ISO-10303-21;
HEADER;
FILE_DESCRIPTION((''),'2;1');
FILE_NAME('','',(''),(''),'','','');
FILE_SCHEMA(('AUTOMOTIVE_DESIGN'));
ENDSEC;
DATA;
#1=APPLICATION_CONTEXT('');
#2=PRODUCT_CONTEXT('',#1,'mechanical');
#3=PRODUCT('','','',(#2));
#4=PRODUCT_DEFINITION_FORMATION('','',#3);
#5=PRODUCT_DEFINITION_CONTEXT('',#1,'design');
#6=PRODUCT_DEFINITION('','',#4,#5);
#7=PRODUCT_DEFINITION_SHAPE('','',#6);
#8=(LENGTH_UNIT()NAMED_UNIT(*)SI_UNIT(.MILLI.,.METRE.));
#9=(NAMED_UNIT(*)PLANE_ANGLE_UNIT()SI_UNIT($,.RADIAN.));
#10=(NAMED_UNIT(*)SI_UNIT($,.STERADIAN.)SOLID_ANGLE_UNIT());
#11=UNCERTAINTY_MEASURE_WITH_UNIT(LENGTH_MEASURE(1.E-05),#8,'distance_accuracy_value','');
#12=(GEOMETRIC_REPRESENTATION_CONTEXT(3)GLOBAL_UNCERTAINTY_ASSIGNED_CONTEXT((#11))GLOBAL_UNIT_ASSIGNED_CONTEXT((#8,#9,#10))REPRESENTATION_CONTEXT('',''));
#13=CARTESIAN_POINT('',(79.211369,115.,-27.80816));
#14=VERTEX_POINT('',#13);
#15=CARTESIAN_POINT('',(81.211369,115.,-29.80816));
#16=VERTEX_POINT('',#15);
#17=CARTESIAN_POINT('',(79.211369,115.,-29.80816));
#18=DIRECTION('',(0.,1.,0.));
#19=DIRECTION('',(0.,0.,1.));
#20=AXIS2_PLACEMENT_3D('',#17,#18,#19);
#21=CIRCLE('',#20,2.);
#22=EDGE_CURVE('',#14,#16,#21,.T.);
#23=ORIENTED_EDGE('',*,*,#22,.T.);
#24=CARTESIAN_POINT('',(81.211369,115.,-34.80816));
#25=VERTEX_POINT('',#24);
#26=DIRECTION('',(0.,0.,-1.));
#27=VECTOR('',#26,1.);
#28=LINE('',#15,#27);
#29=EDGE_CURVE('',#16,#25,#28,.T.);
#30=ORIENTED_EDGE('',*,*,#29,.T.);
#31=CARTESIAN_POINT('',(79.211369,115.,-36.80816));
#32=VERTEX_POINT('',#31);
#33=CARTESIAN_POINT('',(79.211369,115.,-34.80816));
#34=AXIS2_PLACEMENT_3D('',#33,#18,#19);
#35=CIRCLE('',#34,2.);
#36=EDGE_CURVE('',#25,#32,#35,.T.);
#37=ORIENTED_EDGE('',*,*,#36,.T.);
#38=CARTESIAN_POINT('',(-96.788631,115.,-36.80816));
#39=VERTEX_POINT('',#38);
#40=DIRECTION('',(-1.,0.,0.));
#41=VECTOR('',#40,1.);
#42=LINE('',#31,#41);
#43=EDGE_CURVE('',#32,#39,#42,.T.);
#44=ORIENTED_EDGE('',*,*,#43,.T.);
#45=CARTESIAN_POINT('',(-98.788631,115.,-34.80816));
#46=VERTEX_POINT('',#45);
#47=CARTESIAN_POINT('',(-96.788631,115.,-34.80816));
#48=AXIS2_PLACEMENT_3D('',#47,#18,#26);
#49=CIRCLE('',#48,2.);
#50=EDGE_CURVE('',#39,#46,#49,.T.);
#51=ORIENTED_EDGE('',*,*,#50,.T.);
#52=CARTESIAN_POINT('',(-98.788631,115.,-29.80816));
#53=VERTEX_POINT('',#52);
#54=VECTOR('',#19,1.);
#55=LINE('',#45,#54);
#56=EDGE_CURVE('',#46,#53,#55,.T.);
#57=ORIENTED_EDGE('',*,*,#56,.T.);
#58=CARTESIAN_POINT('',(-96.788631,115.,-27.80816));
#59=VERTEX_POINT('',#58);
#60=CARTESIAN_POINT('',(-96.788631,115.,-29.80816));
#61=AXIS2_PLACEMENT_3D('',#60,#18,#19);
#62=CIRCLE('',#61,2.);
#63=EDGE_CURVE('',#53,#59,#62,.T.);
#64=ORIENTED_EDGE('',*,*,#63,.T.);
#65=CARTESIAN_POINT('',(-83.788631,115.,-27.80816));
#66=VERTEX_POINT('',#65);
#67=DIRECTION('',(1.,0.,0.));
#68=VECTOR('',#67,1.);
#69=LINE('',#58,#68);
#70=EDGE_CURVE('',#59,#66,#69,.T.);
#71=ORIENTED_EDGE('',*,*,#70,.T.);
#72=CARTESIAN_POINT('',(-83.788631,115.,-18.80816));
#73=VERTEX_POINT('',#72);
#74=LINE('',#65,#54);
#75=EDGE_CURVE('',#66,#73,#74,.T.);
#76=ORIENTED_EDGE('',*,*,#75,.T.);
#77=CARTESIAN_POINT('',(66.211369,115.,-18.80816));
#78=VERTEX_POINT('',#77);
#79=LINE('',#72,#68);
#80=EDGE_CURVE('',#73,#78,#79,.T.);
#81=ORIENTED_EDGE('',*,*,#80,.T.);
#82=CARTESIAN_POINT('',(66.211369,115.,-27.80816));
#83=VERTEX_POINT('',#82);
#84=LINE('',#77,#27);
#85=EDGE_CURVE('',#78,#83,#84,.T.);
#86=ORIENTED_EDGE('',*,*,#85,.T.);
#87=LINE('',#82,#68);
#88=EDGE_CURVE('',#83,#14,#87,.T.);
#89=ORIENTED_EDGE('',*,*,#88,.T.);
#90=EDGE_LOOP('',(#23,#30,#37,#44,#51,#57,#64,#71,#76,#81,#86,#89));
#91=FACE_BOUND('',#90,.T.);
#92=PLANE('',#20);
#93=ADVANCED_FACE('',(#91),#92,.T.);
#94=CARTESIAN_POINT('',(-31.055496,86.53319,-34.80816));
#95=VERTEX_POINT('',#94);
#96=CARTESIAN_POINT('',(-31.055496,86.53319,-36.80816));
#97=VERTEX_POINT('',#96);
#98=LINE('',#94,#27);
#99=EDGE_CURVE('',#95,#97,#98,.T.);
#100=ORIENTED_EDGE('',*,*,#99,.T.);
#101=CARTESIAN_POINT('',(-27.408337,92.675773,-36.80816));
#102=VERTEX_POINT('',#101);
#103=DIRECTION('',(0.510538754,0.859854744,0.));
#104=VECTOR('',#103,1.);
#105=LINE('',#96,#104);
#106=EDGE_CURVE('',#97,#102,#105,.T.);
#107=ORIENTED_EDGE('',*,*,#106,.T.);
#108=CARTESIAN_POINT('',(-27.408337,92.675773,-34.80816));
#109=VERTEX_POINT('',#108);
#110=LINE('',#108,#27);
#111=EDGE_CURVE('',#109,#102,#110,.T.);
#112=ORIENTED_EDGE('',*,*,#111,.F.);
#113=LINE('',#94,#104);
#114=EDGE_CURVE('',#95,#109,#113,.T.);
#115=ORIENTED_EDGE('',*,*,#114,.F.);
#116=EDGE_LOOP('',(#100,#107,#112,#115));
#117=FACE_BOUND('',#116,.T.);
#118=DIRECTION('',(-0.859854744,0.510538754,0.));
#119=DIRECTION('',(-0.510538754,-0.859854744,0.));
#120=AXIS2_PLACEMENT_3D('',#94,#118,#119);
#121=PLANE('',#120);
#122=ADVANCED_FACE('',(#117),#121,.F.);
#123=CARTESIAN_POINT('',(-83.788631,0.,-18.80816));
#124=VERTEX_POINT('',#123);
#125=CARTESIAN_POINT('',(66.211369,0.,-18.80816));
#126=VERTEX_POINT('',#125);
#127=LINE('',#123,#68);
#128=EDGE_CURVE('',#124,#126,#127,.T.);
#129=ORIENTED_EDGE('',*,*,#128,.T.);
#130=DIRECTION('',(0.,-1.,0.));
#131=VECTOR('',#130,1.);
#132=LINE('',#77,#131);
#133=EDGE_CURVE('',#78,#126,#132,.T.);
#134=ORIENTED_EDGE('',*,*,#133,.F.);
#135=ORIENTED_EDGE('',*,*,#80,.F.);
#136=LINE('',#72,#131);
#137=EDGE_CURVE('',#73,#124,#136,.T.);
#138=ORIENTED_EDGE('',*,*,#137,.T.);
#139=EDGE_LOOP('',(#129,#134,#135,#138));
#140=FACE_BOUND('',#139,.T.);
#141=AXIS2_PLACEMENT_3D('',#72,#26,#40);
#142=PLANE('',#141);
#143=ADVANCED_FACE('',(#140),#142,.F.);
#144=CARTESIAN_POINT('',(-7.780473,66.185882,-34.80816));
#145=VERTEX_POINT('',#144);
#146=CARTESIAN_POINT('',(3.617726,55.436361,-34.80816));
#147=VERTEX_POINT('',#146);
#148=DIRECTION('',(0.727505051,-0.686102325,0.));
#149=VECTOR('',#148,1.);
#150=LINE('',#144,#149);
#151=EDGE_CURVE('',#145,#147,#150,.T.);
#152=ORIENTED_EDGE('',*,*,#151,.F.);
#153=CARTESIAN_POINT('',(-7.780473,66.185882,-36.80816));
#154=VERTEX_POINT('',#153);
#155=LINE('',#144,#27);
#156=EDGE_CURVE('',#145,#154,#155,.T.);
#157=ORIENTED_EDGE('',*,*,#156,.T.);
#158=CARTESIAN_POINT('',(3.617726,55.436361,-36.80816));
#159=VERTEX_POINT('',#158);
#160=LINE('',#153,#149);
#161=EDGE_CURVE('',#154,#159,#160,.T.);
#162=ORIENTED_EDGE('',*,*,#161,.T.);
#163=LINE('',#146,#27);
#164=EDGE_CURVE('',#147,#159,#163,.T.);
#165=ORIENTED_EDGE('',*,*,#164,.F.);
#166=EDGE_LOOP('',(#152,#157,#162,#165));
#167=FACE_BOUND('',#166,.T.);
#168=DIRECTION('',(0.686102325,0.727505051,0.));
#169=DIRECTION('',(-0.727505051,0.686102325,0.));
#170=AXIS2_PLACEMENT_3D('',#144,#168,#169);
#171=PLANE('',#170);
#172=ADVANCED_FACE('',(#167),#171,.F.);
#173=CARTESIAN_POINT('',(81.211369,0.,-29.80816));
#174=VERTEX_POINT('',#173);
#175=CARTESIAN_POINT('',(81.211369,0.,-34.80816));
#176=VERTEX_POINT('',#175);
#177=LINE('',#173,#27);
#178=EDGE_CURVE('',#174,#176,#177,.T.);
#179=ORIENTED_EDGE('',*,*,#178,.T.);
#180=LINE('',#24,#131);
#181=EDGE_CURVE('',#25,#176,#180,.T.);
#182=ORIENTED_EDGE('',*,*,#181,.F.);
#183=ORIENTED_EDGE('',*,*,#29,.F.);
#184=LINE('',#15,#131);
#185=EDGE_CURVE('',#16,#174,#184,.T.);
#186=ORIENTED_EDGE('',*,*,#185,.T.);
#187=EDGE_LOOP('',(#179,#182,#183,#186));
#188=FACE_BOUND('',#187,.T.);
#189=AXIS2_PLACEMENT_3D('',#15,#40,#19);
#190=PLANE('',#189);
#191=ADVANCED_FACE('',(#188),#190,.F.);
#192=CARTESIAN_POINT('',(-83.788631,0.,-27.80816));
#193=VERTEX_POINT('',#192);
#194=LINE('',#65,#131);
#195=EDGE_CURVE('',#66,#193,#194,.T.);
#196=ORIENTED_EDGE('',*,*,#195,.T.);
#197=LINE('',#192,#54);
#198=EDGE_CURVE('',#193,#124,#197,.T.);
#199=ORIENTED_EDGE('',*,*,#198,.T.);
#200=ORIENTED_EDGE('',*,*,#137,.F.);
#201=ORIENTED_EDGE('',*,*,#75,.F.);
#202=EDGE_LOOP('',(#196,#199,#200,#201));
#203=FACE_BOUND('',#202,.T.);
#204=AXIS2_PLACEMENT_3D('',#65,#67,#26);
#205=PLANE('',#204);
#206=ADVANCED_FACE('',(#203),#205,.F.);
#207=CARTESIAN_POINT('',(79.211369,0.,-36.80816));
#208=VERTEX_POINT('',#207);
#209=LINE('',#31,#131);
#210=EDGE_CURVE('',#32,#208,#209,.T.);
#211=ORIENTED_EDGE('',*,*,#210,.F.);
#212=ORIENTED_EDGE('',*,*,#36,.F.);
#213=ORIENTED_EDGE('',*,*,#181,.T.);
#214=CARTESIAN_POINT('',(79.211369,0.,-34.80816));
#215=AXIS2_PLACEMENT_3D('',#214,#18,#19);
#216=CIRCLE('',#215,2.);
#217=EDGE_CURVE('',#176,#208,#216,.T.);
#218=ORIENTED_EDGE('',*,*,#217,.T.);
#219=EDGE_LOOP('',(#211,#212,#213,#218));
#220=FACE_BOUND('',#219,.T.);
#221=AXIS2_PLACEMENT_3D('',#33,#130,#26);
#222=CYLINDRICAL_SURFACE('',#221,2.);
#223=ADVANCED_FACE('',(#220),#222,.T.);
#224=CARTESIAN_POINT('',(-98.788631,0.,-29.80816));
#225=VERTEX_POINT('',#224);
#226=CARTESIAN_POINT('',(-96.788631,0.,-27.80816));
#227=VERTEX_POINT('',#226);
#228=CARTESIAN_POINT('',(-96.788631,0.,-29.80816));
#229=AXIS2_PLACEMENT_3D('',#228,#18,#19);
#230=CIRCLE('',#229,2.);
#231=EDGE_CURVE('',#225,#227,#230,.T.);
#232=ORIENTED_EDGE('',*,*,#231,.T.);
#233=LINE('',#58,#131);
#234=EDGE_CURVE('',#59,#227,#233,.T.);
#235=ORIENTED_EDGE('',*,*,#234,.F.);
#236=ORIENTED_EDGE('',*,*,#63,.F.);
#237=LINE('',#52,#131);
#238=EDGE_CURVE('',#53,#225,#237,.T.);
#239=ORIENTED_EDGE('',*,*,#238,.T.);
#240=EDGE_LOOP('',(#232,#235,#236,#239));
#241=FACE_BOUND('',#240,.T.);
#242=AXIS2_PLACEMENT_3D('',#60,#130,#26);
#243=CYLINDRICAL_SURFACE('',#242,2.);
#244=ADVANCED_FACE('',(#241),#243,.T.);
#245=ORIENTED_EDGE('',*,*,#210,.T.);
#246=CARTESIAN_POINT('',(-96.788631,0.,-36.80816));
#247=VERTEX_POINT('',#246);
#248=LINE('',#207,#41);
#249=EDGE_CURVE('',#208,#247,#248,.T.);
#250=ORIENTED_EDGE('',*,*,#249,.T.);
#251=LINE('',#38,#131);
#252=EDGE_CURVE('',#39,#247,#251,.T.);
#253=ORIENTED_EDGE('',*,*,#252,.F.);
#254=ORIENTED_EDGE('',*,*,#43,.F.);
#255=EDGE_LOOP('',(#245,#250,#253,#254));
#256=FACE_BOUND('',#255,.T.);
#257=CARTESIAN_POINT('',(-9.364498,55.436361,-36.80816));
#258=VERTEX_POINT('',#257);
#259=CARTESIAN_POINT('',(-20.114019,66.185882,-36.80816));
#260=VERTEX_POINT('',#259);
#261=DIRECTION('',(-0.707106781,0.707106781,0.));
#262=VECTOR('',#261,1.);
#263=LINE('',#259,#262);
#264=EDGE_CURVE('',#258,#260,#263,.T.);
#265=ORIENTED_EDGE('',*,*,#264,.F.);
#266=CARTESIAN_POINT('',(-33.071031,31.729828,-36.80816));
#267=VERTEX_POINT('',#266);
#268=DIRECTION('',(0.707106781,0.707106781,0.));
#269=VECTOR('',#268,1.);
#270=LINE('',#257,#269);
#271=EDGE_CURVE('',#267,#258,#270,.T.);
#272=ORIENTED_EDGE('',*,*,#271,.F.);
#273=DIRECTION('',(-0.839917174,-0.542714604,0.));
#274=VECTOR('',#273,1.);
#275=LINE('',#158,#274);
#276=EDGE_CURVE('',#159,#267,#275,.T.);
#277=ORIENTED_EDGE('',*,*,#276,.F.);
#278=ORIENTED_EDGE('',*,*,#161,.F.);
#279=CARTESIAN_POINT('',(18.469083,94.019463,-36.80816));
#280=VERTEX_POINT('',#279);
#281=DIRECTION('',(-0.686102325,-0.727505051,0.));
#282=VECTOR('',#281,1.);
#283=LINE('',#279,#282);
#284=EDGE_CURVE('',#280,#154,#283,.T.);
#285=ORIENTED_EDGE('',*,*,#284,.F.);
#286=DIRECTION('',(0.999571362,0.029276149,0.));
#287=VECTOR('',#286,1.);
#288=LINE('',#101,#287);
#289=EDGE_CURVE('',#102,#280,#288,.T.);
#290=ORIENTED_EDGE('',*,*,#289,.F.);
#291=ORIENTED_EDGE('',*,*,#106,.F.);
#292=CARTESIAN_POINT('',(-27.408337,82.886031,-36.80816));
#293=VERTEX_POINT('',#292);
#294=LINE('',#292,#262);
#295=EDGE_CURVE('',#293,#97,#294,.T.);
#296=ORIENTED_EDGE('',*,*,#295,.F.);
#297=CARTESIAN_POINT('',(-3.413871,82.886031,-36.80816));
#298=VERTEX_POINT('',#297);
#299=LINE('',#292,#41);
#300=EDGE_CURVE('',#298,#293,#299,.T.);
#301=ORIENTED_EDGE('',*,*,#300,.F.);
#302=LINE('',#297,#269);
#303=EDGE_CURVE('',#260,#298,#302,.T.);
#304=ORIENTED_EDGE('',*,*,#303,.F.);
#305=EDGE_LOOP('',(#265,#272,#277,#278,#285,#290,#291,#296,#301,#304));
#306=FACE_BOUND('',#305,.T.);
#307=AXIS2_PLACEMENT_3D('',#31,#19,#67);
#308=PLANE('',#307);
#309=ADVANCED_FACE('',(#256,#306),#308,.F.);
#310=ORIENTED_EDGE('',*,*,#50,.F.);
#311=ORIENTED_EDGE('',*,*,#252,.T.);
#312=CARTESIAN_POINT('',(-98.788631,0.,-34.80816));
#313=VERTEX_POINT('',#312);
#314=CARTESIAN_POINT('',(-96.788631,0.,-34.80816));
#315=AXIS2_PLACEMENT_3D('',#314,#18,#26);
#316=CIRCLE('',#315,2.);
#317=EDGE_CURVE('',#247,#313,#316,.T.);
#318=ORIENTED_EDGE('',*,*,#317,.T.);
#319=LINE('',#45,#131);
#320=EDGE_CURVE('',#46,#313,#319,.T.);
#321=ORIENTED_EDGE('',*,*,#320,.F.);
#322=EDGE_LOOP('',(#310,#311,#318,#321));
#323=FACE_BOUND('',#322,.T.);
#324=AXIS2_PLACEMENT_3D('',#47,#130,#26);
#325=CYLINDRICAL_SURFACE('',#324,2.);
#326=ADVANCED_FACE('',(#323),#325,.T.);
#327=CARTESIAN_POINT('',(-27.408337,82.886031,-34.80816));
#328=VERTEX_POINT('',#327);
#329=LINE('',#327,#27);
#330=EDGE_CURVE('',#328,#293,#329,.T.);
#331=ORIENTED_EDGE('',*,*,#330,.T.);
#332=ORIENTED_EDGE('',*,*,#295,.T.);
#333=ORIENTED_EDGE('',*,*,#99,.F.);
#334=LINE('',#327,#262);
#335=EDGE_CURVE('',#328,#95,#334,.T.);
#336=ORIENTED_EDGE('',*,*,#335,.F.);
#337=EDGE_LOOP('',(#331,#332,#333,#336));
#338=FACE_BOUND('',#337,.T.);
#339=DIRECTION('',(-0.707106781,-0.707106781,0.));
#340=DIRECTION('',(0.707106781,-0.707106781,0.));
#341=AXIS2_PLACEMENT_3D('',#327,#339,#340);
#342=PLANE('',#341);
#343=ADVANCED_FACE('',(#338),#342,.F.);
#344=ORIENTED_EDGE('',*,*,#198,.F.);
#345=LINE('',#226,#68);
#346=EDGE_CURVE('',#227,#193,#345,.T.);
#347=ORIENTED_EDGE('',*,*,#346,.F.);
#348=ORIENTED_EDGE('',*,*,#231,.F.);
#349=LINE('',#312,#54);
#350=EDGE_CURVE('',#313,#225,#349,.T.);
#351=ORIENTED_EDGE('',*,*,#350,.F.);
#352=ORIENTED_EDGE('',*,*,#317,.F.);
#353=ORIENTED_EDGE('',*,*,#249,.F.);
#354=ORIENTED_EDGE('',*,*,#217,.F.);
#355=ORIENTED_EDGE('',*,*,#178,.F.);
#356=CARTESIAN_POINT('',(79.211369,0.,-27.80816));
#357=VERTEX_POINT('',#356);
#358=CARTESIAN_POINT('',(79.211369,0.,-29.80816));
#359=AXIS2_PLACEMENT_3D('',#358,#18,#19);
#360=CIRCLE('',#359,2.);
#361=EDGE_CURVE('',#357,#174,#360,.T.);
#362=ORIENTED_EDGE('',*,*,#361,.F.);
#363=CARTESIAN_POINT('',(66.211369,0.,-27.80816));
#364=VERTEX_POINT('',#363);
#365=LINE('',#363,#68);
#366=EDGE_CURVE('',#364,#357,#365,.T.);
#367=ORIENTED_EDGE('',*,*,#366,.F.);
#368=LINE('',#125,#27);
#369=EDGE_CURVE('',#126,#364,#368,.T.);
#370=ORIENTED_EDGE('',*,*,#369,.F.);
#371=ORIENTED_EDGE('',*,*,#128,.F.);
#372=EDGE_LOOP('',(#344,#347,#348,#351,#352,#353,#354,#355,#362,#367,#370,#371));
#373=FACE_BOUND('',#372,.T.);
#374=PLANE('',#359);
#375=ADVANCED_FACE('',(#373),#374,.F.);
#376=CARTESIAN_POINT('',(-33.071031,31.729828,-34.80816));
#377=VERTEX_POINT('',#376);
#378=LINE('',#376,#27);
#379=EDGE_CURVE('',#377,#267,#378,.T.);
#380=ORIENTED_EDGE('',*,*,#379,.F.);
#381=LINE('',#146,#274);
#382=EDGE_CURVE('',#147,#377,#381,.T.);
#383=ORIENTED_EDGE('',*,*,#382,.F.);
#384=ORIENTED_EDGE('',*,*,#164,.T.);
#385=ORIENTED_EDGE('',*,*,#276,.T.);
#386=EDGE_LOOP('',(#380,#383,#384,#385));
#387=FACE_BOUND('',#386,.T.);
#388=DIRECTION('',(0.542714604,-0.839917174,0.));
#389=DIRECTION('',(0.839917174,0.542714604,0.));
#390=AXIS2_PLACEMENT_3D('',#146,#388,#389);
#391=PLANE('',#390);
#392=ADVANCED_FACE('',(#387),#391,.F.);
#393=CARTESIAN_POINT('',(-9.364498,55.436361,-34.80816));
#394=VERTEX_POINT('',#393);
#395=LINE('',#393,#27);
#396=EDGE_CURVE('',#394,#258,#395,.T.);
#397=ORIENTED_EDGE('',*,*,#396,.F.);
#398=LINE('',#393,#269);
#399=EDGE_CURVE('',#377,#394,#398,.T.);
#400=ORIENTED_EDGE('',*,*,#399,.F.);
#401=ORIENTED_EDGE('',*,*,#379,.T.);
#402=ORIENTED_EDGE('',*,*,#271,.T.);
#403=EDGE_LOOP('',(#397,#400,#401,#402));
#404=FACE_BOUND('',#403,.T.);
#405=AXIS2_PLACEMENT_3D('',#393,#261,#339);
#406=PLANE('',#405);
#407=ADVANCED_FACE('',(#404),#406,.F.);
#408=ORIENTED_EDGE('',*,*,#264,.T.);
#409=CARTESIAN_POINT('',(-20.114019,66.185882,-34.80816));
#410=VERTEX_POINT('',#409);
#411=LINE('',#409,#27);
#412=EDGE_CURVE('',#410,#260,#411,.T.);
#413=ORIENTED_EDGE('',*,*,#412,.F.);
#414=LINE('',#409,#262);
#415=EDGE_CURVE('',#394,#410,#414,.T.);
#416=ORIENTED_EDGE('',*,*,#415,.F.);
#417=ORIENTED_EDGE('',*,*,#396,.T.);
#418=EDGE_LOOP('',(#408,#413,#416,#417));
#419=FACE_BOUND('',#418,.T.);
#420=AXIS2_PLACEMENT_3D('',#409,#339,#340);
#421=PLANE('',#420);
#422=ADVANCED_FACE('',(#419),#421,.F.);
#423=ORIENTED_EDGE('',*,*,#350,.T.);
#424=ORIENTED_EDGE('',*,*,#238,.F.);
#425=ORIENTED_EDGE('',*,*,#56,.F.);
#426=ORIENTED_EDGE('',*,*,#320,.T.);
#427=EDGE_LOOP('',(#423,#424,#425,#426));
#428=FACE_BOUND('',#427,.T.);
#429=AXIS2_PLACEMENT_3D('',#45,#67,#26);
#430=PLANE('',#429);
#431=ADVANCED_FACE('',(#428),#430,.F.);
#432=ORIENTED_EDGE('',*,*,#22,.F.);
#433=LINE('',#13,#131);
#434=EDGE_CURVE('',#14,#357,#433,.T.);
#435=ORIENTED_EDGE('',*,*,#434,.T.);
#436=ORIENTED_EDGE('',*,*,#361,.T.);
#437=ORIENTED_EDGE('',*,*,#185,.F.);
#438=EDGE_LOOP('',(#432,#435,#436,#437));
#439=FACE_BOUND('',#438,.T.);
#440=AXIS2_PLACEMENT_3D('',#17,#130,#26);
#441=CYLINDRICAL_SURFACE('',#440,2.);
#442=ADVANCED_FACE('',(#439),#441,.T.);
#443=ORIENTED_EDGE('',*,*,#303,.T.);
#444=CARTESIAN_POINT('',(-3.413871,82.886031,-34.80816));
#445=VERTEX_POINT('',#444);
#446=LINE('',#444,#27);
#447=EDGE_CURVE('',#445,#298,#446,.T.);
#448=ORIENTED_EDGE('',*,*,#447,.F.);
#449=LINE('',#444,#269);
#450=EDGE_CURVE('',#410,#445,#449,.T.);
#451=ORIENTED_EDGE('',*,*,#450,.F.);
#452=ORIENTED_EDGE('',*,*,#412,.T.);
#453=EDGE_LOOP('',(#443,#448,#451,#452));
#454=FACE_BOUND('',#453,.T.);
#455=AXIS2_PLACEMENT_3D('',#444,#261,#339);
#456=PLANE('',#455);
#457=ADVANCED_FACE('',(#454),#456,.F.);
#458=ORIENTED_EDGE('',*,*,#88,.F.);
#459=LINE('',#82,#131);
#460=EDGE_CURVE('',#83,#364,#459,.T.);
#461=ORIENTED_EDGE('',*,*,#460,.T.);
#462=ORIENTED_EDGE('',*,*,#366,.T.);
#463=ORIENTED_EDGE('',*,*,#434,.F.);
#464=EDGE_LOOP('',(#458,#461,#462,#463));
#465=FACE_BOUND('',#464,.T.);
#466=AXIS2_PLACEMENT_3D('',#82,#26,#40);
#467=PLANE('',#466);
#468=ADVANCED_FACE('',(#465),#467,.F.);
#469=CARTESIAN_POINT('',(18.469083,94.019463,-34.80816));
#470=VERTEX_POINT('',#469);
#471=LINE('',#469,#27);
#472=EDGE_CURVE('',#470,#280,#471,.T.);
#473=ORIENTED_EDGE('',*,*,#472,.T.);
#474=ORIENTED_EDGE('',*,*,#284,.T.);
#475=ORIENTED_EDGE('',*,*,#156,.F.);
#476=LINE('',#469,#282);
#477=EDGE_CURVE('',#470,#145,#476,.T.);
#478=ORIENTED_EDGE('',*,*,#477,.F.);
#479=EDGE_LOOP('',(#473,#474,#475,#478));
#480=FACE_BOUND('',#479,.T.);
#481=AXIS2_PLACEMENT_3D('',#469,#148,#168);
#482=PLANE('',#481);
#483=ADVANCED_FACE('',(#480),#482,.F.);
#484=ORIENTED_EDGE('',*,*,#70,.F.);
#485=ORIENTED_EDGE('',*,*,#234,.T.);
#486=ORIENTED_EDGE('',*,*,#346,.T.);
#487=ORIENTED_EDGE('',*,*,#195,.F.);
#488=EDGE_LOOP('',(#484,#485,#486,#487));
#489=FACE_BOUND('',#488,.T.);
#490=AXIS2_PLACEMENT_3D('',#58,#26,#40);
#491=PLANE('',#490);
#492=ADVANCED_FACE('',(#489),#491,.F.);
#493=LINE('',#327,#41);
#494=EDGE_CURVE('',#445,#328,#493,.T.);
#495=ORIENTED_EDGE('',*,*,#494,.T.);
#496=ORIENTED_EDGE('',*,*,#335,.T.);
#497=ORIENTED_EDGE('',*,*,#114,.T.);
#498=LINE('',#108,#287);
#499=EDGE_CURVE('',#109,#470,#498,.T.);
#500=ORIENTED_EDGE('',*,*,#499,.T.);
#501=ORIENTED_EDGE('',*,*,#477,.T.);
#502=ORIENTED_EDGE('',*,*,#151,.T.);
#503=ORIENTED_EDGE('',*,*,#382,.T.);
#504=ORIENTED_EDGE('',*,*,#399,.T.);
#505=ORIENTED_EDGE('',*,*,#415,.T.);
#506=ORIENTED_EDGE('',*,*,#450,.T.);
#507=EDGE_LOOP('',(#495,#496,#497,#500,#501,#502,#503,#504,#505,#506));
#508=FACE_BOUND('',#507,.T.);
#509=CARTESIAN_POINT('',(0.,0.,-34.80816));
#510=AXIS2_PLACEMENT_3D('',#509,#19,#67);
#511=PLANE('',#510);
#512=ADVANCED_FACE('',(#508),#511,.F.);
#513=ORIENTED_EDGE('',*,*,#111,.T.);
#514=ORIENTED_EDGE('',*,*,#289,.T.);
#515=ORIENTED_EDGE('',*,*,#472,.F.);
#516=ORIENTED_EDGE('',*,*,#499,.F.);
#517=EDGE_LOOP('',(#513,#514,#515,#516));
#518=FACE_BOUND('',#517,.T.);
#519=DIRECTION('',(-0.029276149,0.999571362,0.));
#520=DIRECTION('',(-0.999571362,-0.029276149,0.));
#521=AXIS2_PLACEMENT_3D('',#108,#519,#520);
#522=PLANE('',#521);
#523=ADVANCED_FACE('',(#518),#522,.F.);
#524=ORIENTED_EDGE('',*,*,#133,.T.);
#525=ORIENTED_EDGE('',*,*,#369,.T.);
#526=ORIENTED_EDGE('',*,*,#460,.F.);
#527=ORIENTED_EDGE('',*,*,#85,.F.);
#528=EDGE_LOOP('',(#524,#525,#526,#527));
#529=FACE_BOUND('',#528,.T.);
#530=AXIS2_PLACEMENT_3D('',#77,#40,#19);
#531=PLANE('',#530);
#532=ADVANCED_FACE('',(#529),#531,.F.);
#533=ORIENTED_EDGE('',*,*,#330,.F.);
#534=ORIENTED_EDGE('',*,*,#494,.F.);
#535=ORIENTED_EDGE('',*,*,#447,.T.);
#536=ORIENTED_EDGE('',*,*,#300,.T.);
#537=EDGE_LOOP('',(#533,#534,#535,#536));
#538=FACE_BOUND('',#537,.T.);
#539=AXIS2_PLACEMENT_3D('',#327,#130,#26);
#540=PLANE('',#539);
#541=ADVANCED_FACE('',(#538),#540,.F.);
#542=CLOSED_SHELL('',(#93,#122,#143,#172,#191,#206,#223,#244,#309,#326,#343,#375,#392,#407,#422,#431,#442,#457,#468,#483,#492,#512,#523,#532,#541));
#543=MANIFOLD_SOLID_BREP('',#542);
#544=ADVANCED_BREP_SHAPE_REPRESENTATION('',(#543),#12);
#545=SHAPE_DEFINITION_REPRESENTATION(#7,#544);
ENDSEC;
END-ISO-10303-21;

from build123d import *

# Parameters (mm, degrees)
BOSS_EXTRUDE2_DEPTH = 115
CUT_EXTRUDE1_DEPTH  = 2


with BuildPart() as part:
    # Sketch1 → Boss-Extrude2 (new body)
    with BuildSketch(Plane(origin=(0, 0, 0), x_dir=(1, 0, 0), z_dir=(0, 1, 0))):
        with BuildLine():
            Line((-98.788631121, 34.808160187), (-98.788631121, 29.808160187))
            ThreePointArc((-98.788631121, 29.808160187), (-98.202844683, 28.393946625), (-96.788631121, 27.808160187))
            Line((-96.788631121, 27.808160187), (-83.788631121, 27.808160187))
            Line((-83.788631121, 27.808160187), (-83.788631121, 18.808160187))
            Line((-83.788631121, 18.808160187), (66.211368879, 18.808160187))
            Line((66.211368879, 18.808160187), (66.211368879, 27.808160187))
            Line((66.211368879, 27.808160187), (79.211368879, 27.808160187))
            ThreePointArc((79.211368879, 27.808160187), (80.625582441, 28.393946625), (81.211368879, 29.808160187))
            Line((81.211368879, 29.808160187), (81.211368879, 34.808160187))
            ThreePointArc((81.211368879, 34.808160187), (80.625582441, 36.222373749), (79.211368879, 36.808160187))
            Line((79.211368879, 36.808160187), (-96.788631121, 36.808160187))
            ThreePointArc((-96.788631121, 36.808160187), (-98.202844683, 36.222373749), (-98.788631121, 34.808160187))
        make_face()
    extrude(amount=BOSS_EXTRUDE2_DEPTH)

    # Sketch2 → Cut-Extrude1 (cut)
    with BuildSketch(Plane(origin=(0, 0, -36.808160187), x_dir=(-1, 0, 0), z_dir=(0, 0, -1))):
        Polygon((27.408337163, 82.886030919), (3.413870614, 82.886030919), (20.114019332, 66.1858822), (9.364498318, 55.436361186), (33.071031269, 31.729828236), (-3.617725634, 55.436361186), (7.780473372, 66.1858822), (-18.469082879, 94.019463397), (27.408337163, 92.675773271), (31.055496079, 86.533189834), align=None)
    extrude(amount=-CUT_EXTRUDE1_DEPTH, mode=Mode.SUBTRACT)


solid = part.part
